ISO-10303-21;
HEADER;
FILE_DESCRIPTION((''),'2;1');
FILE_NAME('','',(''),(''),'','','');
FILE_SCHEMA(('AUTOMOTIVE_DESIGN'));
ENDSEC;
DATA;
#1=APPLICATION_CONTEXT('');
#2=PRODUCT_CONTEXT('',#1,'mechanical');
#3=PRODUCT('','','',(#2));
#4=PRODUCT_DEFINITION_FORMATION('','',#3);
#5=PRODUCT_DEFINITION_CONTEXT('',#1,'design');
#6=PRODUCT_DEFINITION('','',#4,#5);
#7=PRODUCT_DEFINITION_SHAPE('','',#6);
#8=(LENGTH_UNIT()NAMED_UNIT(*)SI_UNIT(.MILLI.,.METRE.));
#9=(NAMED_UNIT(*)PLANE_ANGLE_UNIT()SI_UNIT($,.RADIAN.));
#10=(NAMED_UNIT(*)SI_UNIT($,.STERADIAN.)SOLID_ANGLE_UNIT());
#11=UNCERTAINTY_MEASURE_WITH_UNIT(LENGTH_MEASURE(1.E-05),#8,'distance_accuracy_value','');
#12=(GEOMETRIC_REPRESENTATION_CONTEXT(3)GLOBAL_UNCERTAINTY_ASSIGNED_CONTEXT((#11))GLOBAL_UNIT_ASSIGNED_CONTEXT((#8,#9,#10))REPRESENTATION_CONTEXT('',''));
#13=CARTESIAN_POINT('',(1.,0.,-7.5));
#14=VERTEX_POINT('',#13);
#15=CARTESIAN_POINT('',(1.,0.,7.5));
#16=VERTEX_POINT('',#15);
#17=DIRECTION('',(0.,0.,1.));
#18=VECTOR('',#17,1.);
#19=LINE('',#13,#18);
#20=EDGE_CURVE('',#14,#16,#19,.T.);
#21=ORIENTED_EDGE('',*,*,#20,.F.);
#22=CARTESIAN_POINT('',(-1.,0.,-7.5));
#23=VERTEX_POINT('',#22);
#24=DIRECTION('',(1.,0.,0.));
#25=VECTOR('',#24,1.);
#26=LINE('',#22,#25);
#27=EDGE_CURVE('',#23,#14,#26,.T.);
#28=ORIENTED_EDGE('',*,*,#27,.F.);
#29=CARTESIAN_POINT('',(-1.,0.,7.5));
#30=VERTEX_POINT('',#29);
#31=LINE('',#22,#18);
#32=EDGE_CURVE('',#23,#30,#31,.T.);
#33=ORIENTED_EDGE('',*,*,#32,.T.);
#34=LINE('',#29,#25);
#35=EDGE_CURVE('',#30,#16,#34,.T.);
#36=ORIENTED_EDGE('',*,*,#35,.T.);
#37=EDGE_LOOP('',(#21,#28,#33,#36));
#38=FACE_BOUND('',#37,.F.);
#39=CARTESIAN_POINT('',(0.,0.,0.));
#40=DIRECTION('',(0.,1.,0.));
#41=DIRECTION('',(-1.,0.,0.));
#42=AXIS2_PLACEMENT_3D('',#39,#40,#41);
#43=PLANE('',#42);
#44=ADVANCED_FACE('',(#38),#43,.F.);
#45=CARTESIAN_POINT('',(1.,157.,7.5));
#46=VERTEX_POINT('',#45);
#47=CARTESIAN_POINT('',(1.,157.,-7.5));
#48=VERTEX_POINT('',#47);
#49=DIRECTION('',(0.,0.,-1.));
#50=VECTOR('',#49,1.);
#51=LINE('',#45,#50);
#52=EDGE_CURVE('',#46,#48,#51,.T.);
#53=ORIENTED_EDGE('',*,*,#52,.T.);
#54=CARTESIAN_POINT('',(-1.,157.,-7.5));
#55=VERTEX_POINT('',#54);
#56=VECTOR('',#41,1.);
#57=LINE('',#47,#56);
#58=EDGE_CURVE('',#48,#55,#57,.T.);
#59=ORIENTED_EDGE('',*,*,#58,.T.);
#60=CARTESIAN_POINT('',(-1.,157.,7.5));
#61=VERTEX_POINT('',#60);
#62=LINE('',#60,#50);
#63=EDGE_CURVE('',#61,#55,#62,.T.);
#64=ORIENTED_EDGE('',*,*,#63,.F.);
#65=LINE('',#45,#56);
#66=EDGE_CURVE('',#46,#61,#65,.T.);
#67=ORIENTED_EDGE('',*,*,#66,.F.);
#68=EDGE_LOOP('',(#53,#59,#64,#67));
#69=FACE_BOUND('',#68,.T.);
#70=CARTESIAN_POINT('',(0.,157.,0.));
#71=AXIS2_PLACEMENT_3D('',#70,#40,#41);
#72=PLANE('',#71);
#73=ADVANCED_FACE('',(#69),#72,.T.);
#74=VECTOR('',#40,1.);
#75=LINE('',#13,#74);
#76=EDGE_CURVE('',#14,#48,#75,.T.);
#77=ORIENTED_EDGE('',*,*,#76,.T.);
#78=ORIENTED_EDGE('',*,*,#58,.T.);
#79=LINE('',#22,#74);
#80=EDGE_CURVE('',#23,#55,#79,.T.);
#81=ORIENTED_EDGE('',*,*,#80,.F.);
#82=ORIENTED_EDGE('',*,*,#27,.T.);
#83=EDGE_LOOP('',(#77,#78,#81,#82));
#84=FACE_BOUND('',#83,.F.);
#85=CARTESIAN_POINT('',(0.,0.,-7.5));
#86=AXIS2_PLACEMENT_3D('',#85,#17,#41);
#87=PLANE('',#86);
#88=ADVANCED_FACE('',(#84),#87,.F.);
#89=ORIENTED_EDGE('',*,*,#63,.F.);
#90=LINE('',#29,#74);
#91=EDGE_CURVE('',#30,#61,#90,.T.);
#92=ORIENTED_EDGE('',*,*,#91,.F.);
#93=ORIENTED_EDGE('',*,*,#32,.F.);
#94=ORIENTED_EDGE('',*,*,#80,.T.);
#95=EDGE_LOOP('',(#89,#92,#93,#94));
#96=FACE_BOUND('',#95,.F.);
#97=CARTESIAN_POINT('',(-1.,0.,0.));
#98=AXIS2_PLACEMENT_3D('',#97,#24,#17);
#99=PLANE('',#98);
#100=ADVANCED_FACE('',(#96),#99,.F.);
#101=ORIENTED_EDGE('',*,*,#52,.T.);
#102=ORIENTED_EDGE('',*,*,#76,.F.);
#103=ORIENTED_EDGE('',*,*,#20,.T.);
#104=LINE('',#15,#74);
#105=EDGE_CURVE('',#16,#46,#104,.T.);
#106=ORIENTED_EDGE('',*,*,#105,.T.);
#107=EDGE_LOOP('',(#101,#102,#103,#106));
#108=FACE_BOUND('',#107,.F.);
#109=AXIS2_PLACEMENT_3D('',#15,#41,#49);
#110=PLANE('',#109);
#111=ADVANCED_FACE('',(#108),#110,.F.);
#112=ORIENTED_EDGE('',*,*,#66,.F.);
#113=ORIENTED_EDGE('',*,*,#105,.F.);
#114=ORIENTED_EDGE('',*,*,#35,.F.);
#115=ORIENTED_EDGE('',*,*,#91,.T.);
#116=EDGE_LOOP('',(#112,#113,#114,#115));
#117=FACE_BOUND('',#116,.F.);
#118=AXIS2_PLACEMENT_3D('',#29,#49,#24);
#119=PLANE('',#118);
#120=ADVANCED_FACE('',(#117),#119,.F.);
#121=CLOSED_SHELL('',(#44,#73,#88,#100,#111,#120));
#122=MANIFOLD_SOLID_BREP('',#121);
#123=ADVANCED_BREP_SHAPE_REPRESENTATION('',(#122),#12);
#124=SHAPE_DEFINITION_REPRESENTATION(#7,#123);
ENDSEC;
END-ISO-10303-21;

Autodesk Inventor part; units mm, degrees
ref_plane "YZ Plane" through (0, 0, 0) normal (1, 0, 0) x (0, 1, 0)
ref_plane "XZ Plane" through (0, 0, 0) normal (0, 1, 0) x (-1, 0, 0)
ref_plane "XY Plane" through (0, 0, 0) normal (0, 0, 1) x (1, 0, 0)
sketch "Sketch1" plane through (0, 0, 0) normal (0, 1, 0) x (-1, 0, 0)
  line L0 (1, 7.5) -> (-1, 7.5)
  line L1 (-1, 7.5) -> (-1, -7.5)
  line L2 (-1, -7.5) -> (1, -7.5)
  line L3 (1, -7.5) -> (1, 7.5)
  line L4 (0, -10.5) -> (0, 10.5) projected
  line L5 (-4.2, 0) -> (4.2, 0) projected
  point P0 (0, 0)
  dimension "d0" = 2
  dimension "d1" = 15
extrude "Extrusion1" add sketch "Sketch1" along normal blind 157
equation "\"d0\" = flat_bar_thickness"
equation "\"d1\" = flat_bar_width"
equation "\"d2\" = flat_bar_length"
equation "\"flat_bar_length\" = -2 * iron_angle_to_pipe_edge + pipe_length + pipe_outer_diameter - angle_iron_heigth"
equation "\"flat_bar_thickness\" = 2"
equation "\"flat_bar_width\" = 15"
equation "\"iron_angle_to_pipe_edge\" = 20"
equation "\"pipe_length\" = 200"
equation "\"pipe_outer_diameter\" = 12"
equation "\"angle_iron_heigth\" = 15"
properties part number "flat_bar" material "Aluminum 6061"
